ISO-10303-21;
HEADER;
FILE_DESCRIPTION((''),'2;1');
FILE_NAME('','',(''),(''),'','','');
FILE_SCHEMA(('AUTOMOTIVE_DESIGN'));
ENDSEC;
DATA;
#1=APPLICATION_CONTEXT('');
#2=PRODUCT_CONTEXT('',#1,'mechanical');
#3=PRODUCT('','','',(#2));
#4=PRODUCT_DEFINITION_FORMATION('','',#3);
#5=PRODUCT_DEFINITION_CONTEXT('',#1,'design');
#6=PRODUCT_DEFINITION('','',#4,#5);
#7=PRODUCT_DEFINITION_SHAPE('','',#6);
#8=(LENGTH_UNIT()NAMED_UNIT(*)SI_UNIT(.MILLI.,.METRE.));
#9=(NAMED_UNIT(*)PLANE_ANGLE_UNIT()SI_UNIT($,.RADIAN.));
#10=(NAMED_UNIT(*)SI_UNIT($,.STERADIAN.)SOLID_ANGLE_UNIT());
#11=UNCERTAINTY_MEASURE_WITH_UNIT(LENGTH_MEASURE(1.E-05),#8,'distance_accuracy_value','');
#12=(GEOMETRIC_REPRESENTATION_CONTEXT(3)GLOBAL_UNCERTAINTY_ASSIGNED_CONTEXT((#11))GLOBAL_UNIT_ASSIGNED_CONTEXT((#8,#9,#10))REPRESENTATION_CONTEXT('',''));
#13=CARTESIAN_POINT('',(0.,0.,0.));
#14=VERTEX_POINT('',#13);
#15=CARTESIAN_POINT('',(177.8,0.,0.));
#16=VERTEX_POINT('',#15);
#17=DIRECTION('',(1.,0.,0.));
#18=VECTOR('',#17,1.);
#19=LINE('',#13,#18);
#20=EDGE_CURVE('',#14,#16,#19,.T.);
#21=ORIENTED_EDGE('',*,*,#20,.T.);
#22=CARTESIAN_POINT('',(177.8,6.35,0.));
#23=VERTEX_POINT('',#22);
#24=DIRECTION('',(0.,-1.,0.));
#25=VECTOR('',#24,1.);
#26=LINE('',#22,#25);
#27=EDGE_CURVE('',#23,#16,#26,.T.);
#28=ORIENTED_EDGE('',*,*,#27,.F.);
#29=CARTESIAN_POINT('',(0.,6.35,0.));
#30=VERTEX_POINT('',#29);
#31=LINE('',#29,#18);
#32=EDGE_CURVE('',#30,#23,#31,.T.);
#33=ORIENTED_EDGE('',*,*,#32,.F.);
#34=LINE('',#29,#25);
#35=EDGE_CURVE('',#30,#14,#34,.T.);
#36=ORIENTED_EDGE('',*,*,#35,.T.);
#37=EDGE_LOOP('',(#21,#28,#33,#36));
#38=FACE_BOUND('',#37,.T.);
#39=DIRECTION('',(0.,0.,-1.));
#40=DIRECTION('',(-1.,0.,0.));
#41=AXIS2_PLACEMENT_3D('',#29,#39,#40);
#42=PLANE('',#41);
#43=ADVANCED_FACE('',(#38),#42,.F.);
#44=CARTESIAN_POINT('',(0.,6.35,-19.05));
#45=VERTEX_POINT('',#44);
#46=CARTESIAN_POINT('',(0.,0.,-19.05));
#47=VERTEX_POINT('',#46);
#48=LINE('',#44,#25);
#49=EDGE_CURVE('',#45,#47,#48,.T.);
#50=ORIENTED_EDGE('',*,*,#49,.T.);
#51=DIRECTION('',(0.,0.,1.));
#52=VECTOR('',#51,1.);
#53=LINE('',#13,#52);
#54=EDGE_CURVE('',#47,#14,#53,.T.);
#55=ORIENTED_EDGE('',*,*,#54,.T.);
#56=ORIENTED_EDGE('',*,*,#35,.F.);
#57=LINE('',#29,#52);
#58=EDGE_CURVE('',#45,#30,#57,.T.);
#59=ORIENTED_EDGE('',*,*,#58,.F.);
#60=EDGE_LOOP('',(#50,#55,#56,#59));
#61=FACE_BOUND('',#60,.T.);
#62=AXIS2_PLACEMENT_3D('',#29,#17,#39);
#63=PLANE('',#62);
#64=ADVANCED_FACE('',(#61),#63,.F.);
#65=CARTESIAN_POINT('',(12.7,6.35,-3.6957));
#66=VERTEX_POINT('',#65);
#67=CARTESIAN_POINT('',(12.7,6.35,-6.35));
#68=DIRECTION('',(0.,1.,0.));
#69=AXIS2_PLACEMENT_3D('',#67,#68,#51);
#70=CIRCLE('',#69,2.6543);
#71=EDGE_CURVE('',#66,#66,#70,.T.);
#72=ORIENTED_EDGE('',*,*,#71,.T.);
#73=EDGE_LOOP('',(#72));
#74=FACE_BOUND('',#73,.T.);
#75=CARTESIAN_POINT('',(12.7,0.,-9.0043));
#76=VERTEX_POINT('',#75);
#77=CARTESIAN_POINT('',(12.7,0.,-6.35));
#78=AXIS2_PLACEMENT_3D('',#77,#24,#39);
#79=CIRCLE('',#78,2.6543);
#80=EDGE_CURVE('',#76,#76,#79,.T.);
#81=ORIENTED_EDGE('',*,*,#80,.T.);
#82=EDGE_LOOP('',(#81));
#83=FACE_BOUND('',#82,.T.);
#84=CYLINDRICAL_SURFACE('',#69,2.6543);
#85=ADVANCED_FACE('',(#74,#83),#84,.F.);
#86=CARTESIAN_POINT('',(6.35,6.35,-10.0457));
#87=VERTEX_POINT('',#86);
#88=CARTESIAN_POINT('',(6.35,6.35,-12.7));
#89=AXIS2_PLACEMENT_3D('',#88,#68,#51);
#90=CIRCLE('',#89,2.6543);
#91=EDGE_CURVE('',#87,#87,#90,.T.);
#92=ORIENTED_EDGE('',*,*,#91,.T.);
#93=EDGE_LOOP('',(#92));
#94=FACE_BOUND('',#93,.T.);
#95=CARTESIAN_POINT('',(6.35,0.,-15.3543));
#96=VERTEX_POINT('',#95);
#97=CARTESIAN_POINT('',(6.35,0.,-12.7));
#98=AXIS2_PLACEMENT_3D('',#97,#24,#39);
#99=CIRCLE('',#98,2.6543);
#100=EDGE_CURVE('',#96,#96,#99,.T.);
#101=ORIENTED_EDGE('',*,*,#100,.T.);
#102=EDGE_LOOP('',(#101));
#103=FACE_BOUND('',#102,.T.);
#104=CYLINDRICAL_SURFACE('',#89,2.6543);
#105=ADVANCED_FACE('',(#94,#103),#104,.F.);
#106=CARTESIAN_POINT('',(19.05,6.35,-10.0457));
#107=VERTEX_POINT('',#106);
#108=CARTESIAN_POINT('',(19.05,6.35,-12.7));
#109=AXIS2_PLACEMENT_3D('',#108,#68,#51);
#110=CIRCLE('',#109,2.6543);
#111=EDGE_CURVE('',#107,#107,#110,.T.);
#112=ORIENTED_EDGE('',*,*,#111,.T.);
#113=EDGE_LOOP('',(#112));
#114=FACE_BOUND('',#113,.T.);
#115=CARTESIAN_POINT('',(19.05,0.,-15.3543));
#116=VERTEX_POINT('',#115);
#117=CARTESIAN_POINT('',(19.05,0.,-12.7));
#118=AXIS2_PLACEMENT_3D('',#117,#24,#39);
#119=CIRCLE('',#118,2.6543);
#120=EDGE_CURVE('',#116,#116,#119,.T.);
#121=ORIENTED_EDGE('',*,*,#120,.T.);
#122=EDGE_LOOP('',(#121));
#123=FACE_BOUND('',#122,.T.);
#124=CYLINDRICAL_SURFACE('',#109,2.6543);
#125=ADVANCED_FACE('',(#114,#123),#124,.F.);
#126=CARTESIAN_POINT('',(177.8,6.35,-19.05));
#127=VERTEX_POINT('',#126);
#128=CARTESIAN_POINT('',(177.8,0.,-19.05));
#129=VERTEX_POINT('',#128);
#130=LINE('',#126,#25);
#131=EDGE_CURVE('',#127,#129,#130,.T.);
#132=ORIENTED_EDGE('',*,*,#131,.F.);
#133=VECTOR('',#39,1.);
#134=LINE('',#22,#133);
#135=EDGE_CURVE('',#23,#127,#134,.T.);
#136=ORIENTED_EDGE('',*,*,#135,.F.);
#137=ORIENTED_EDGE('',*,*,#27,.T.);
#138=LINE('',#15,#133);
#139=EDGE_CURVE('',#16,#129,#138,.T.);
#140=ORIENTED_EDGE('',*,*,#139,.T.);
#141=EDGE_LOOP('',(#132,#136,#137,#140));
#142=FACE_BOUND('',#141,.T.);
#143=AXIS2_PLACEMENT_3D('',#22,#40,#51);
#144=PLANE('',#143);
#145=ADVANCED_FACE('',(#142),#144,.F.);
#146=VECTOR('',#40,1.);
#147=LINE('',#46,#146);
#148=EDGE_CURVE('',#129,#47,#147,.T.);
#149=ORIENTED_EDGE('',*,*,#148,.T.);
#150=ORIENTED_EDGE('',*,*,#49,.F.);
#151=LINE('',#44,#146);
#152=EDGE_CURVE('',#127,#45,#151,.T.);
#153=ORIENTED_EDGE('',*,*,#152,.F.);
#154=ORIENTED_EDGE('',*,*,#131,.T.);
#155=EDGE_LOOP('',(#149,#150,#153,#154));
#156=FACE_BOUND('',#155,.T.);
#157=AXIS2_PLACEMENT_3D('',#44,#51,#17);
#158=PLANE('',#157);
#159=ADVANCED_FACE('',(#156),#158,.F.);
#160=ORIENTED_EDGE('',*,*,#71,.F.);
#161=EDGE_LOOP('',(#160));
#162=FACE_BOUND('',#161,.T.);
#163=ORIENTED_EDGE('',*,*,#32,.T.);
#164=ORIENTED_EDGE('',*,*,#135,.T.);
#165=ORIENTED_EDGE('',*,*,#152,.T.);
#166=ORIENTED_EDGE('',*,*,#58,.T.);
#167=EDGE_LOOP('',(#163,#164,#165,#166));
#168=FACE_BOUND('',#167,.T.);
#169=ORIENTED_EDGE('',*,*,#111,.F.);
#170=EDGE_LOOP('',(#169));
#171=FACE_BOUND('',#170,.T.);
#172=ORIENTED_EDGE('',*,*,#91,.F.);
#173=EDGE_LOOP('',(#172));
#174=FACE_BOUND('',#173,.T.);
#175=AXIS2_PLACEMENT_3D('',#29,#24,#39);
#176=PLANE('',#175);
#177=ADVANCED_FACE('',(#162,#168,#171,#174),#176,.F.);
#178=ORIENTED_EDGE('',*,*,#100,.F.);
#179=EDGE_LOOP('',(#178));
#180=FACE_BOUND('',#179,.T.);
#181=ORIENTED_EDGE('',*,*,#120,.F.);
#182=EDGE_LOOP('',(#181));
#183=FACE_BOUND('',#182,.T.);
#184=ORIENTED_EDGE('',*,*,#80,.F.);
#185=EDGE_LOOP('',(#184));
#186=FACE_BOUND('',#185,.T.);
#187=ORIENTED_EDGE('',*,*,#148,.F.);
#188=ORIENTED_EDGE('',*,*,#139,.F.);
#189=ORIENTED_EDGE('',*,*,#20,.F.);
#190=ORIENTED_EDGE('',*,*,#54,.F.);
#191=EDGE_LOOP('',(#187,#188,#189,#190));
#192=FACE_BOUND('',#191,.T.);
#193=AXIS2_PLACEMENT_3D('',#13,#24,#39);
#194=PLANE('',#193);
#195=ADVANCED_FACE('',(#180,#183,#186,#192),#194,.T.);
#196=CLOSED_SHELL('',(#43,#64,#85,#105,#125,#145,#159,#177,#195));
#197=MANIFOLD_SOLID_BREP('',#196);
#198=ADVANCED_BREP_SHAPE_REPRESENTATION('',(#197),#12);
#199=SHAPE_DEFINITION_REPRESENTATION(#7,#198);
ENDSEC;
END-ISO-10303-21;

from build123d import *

# Parameters (mm, degrees)
SKETCH1_W                      = 177.8
SKETCH1_H                      = 19.05
BOSS_EXTRUDE1_DEPTH            = 6.35
F_4_0_209_DIAMETER_HOLE1_D     = 5.3086
F_4_0_209_DIAMETER_HOLE1_DEPTH = 10.668
F_4_0_209_DIAMETER_HOLE1_TIP   = 1.594864341


with BuildPart() as part:
    # Sketch1 → Boss-Extrude1 (new body)
    with BuildSketch(Plane(origin=(0, 0, 0), x_dir=(1, 0, 0), z_dir=(0, 1, 0))):
        with Locations((88.9, 9.525)):
            Rectangle(SKETCH1_W, SKETCH1_H)
    extrude(amount=BOSS_EXTRUDE1_DEPTH)

    # #4 (0.209) Diameter Hole1
    with Locations(Plane(origin=(6.35, 6.35, -12.7), x_dir=(0, 0, 1), z_dir=(0, 1, 0))):
        with Locations((0, 0), (0, 12.7), (6.35, 6.35)):
            Hole(F_4_0_209_DIAMETER_HOLE1_D / 2, depth=F_4_0_209_DIAMETER_HOLE1_DEPTH)
            with Locations((0, 0, -(F_4_0_209_DIAMETER_HOLE1_DEPTH + F_4_0_209_DIAMETER_HOLE1_TIP / 2))):  # 118° drill point
                Cone(0, F_4_0_209_DIAMETER_HOLE1_D / 2, F_4_0_209_DIAMETER_HOLE1_TIP, mode=Mode.SUBTRACT)


solid = part.part
